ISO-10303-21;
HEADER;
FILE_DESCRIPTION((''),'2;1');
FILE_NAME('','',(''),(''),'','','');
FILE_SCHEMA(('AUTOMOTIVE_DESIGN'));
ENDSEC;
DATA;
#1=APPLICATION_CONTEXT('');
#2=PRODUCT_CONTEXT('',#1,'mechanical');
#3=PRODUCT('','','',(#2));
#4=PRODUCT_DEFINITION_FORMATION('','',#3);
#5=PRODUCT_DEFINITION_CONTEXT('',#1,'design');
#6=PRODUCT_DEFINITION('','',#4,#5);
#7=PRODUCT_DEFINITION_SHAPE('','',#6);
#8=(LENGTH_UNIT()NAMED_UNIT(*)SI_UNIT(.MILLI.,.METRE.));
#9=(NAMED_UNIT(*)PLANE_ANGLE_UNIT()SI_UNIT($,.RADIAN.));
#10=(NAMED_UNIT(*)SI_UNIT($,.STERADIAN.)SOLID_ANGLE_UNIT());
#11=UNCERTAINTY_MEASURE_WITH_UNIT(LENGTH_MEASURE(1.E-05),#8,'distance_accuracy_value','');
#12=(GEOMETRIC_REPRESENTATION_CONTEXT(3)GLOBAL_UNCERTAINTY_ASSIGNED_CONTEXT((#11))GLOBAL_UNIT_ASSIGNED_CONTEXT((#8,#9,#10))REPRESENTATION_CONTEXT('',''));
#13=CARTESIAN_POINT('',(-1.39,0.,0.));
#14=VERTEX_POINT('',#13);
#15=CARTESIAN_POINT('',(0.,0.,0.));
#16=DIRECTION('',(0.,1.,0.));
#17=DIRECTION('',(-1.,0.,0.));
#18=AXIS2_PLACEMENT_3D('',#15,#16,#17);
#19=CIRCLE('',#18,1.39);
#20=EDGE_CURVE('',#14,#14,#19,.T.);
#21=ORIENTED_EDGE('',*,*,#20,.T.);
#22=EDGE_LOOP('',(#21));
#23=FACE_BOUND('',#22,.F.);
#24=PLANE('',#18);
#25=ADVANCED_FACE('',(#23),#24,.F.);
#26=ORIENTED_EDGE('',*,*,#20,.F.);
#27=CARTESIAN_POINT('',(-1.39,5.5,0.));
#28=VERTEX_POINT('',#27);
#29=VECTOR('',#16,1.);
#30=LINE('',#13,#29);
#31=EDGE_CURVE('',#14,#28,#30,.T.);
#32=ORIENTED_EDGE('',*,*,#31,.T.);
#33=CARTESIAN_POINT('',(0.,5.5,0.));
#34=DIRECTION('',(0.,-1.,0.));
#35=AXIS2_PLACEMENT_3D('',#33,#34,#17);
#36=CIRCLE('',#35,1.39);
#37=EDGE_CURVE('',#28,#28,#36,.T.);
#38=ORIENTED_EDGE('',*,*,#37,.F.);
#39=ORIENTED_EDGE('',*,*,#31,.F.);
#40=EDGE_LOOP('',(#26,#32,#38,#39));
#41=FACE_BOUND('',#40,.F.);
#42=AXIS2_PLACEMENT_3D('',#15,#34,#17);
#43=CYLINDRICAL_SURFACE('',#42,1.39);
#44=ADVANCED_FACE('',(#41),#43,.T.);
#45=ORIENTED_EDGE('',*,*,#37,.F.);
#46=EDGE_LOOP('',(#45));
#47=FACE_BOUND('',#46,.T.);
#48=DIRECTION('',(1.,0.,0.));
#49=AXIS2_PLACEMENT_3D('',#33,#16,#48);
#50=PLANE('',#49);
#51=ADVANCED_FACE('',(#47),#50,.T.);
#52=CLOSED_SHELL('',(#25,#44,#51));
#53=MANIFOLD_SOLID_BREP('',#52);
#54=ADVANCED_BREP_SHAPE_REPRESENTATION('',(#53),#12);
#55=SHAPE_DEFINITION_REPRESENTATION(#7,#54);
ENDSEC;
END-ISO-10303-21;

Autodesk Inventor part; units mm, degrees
ref_plane "YZ Plane" through (0, 0, 0) normal (1, 0, 0) x (0, 1, 0)
ref_plane "XZ Plane" through (0, 0, 0) normal (0, 1, 0) x (-1, 0, 0)
ref_plane "XY Plane" through (0, 0, 0) normal (0, 0, 1) x (1, 0, 0)
sketch "Sketch1" plane through (0, 0, 0) normal (0, 1, 0) x (-1, 0, 0)
  circle A0 centre (0, 0) radius 1.39
  dimension "d0" = 2.78
extrude "Extrusion1" add sketch "Sketch1" along normal blind 6
sketch "Szkic2" plane through (0, 6, 0) normal (0, 1, 0) x (1, 0, 0)
  circle A0 centre (0, 0) radius 1.39 projected
extrude "Wyciągnięcie proste2" cut sketch "Szkic2" against normal blind 0.5
properties part number "klinodlew"
